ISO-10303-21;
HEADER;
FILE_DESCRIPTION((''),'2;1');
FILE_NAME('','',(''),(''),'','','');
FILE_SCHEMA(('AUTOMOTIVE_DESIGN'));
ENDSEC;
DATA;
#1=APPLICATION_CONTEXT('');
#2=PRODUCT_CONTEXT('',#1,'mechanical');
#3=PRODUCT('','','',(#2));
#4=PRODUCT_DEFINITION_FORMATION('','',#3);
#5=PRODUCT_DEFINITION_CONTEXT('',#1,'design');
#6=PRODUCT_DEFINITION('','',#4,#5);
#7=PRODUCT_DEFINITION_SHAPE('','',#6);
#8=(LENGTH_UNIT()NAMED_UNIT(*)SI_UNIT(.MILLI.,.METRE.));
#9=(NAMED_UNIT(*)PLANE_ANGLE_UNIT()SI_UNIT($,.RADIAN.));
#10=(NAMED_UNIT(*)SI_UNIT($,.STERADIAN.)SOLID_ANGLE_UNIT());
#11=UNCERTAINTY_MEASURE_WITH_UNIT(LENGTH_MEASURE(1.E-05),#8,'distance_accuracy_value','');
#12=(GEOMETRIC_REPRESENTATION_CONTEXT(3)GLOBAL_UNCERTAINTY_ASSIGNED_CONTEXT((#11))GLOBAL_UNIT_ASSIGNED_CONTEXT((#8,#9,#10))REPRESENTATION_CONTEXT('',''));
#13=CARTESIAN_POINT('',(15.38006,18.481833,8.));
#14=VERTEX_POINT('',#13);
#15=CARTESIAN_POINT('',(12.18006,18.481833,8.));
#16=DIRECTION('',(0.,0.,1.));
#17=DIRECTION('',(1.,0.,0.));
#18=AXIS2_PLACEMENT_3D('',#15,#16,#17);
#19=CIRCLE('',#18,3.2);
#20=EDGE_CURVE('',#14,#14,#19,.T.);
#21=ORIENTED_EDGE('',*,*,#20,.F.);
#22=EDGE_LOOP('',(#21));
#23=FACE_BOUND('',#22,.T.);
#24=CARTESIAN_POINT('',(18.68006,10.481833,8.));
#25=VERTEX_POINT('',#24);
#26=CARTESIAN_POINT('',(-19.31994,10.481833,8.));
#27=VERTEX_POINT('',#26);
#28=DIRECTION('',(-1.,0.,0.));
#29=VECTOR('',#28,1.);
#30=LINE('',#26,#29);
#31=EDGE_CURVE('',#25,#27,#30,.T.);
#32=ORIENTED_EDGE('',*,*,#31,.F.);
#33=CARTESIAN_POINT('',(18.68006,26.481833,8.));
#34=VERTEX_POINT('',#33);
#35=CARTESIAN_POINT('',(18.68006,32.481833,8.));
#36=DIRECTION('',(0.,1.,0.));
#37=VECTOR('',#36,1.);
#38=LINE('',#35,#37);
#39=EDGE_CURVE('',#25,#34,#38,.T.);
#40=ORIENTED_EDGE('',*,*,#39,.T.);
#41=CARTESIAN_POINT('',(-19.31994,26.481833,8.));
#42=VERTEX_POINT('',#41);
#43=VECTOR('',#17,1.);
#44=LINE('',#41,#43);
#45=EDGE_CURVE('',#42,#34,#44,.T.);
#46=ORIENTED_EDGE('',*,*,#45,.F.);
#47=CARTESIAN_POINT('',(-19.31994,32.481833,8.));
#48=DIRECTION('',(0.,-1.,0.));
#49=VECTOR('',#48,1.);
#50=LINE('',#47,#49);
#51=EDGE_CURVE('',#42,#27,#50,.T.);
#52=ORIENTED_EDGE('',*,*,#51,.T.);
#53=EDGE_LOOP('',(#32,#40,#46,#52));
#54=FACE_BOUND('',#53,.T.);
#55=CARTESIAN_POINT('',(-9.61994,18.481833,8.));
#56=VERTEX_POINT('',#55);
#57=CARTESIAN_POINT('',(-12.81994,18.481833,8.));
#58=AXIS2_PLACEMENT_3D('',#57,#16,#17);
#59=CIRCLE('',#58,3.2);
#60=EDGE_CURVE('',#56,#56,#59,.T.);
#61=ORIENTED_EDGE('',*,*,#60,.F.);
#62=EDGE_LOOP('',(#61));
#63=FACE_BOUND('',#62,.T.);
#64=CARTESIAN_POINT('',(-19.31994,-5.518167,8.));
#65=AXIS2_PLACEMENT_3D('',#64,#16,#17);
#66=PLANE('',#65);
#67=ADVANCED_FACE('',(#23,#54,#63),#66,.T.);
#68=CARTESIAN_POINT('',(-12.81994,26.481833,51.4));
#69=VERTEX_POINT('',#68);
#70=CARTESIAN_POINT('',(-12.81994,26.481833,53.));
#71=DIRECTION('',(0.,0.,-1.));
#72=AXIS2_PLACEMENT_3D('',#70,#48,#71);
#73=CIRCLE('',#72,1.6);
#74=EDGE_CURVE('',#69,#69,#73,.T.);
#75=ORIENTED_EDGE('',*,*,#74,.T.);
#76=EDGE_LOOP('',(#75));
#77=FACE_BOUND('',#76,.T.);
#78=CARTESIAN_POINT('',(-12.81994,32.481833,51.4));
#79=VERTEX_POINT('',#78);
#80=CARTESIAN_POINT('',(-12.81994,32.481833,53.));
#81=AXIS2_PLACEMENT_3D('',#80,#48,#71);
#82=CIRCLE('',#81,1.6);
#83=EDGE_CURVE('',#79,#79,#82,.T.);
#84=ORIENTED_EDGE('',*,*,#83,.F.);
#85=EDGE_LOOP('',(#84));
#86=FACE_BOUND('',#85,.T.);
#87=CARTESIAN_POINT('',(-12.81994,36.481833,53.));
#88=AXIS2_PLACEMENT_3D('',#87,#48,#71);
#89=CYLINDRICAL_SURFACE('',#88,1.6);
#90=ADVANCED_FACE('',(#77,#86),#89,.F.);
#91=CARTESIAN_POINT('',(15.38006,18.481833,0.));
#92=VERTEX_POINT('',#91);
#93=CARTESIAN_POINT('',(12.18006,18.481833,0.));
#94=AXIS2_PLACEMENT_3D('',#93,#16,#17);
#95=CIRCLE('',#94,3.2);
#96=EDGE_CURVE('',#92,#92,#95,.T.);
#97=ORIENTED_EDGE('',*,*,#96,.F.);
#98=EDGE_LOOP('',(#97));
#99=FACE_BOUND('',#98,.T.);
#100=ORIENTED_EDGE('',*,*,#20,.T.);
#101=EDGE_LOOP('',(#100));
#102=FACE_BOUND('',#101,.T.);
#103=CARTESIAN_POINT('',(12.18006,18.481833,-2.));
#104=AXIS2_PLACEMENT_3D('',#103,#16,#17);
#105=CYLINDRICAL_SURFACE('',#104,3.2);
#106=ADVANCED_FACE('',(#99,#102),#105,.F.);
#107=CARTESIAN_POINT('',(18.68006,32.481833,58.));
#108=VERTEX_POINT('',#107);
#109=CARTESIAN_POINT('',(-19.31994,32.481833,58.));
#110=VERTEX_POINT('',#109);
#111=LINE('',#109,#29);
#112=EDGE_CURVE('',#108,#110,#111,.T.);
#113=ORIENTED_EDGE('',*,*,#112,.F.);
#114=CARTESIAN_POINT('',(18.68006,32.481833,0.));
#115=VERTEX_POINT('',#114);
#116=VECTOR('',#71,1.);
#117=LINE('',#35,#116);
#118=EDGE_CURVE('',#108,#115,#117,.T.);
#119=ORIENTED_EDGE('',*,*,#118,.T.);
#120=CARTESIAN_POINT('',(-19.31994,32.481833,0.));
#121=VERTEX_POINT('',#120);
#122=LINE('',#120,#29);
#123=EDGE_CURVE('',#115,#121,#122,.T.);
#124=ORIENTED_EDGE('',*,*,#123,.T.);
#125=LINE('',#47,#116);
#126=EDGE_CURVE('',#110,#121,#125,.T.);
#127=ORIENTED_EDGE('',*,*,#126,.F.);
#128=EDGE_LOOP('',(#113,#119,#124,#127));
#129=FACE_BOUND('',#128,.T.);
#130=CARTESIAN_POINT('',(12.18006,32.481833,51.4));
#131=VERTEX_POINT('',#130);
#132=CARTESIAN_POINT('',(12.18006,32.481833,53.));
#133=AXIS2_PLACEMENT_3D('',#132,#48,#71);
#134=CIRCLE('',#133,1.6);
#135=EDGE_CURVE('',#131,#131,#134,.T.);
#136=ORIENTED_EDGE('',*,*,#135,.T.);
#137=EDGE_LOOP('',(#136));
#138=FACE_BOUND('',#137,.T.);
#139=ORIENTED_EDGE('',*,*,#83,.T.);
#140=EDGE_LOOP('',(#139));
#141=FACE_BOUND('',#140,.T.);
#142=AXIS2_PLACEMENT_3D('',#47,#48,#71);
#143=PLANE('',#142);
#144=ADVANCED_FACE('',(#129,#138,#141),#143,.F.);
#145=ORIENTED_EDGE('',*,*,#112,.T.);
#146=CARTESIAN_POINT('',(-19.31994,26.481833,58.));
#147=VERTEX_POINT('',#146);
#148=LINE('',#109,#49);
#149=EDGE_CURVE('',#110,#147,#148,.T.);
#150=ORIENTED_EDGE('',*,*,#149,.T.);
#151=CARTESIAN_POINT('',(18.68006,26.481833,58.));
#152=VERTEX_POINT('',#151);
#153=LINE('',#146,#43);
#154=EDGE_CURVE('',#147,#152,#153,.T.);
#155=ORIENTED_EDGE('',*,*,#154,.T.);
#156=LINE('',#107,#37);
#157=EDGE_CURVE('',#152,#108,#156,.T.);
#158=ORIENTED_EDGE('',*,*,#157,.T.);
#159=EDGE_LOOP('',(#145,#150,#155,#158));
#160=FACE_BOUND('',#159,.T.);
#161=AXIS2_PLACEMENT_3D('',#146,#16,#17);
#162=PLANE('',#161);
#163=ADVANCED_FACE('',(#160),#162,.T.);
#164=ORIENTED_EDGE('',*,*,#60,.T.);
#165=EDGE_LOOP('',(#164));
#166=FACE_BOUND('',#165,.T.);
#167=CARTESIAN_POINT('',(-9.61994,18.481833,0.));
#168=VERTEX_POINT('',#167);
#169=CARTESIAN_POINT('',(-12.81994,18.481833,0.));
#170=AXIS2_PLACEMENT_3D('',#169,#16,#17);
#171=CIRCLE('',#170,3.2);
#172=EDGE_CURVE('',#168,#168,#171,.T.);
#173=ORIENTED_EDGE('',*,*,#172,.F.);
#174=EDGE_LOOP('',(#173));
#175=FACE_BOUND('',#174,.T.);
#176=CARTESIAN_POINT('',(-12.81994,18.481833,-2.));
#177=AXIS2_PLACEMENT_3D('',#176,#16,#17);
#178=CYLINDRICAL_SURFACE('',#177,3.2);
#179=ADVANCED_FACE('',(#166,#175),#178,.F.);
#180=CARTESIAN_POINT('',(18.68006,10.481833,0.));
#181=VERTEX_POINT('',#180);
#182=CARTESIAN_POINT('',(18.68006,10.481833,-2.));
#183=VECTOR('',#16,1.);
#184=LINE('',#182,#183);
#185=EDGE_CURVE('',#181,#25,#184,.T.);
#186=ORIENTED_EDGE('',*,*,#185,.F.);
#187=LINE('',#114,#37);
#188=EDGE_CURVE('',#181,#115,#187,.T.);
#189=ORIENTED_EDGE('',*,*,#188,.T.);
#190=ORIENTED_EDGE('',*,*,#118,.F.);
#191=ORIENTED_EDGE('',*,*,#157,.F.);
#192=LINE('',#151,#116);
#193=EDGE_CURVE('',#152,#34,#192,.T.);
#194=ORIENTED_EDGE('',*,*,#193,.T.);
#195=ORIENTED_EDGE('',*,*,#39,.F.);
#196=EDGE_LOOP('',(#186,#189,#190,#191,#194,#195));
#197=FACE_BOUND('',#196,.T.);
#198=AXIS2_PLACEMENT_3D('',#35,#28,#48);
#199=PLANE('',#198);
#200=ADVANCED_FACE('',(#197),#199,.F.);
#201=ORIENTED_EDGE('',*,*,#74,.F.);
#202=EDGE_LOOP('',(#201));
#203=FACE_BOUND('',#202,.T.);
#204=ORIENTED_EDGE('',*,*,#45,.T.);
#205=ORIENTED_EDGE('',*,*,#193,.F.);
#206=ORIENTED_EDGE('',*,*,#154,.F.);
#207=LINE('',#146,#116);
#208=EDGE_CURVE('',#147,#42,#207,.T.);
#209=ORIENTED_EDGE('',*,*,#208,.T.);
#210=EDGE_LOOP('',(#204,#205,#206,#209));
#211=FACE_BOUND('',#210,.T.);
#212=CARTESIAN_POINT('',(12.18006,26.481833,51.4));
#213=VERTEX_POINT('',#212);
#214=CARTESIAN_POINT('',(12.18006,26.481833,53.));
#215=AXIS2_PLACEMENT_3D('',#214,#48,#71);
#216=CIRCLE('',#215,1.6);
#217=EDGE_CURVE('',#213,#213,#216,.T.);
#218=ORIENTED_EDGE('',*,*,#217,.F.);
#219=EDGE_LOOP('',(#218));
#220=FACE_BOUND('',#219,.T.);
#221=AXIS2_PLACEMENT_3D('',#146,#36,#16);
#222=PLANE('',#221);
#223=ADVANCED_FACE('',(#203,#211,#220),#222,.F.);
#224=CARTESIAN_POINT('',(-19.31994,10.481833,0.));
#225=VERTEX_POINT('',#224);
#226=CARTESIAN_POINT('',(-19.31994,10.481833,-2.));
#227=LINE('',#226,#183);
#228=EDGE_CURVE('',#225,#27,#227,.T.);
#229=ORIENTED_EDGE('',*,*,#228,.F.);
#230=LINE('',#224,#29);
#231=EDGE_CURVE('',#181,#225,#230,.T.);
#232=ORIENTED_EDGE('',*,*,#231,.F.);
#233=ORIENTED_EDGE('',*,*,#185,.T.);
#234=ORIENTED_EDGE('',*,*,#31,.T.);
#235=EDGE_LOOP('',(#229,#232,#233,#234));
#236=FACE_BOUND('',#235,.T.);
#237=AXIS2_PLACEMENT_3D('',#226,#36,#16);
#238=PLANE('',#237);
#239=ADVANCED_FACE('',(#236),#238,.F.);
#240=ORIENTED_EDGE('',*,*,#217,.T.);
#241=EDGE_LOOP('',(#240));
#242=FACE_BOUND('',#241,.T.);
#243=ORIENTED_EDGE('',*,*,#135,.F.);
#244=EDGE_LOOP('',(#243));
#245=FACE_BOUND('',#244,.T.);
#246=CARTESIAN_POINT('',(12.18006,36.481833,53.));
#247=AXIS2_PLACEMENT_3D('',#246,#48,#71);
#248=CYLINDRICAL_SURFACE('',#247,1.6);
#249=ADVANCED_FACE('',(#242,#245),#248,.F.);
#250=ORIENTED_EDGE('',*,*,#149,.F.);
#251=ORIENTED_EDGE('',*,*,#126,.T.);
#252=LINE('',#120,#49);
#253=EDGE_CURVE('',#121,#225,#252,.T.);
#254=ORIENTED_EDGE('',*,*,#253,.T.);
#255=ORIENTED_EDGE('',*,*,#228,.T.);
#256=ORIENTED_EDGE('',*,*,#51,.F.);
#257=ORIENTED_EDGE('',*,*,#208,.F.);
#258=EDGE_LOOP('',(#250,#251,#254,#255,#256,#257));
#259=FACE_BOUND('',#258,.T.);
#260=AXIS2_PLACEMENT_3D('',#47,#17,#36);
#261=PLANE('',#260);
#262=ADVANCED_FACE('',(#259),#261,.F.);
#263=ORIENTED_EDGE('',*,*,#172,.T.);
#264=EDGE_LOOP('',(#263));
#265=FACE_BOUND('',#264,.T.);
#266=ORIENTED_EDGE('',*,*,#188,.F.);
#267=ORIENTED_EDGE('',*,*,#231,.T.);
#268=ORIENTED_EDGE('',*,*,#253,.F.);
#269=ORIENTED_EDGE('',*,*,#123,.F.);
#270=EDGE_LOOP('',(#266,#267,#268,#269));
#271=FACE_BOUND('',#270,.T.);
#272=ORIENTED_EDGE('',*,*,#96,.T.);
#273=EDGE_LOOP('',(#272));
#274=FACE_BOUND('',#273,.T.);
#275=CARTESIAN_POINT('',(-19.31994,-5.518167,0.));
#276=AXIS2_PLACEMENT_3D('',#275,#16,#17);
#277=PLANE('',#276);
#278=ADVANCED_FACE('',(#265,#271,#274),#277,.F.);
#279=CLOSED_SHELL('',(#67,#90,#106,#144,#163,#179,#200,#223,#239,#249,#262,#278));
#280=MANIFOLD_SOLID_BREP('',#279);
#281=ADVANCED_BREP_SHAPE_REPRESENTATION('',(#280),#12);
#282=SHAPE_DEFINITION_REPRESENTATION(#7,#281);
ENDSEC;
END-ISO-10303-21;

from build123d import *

# Parameters (mm, degrees)
SKETCH_1_W          = 38
SKETCH_1_H          = 38
EXTRUDE_1_DEPTH     = 8
SKETCH_2_W          = 38
SKETCH_2_H          = 6
EXTRUDE_2_DEPTH     = 50
SKETCH_3_W          = 38
SKETCH_3_H          = 16
CUT_EXTRUDE_1_DEPTH = 10
SKETCH_4_R          = 3.2
CUT_EXTRUDE_2_DEPTH = 10
SKETCH_5_R          = 1.6
CUT_EXTRUDE_3_DEPTH = 10


with BuildPart() as part:
    # 草图1 → 拉伸1 (new body)
    with BuildSketch(Plane.XY):
        with Locations((-0.319940249, 13.481833206)):
            Rectangle(SKETCH_1_W, SKETCH_1_H)
    extrude(amount=EXTRUDE_1_DEPTH)

    # 草图2 → 拉伸2 (add)
    with BuildSketch(Plane.XY.offset(8)):
        with Locations((-0.319940249, 29.481833206)):
            Rectangle(SKETCH_2_W, SKETCH_2_H)
    extrude(amount=EXTRUDE_2_DEPTH)

    # 草图3 → 切除-拉伸1 (cut)
    with BuildSketch(Plane.XY.offset(8)):
        with Locations((-0.319940249, 2.481833206)):
            Rectangle(SKETCH_3_W, SKETCH_3_H)
    extrude(amount=-CUT_EXTRUDE_1_DEPTH, mode=Mode.SUBTRACT)

    # 草图4 → 切除-拉伸2 (cut)
    with BuildSketch(Plane.XY.offset(8)):
        with Locations((-12.819940249, 18.481833206)):
            Circle(SKETCH_4_R)
        with Locations((12.180059751, 18.481833206)):
            Circle(SKETCH_4_R)
    extrude(amount=-CUT_EXTRUDE_2_DEPTH, mode=Mode.SUBTRACT)

    # 草图5 → 切除-拉伸3 (cut)
    with BuildSketch(Plane.XZ.offset(-26.481833206)):
        with Locations(Location((12.180059751, 53, 0), (0, 0, 270))):
            Circle(SKETCH_5_R)
        with Locations(Location((-12.819940249, 53, 0), (0, 0, 270))):
            Circle(SKETCH_5_R)
    extrude(amount=-CUT_EXTRUDE_3_DEPTH, mode=Mode.SUBTRACT)


solid = part.part
